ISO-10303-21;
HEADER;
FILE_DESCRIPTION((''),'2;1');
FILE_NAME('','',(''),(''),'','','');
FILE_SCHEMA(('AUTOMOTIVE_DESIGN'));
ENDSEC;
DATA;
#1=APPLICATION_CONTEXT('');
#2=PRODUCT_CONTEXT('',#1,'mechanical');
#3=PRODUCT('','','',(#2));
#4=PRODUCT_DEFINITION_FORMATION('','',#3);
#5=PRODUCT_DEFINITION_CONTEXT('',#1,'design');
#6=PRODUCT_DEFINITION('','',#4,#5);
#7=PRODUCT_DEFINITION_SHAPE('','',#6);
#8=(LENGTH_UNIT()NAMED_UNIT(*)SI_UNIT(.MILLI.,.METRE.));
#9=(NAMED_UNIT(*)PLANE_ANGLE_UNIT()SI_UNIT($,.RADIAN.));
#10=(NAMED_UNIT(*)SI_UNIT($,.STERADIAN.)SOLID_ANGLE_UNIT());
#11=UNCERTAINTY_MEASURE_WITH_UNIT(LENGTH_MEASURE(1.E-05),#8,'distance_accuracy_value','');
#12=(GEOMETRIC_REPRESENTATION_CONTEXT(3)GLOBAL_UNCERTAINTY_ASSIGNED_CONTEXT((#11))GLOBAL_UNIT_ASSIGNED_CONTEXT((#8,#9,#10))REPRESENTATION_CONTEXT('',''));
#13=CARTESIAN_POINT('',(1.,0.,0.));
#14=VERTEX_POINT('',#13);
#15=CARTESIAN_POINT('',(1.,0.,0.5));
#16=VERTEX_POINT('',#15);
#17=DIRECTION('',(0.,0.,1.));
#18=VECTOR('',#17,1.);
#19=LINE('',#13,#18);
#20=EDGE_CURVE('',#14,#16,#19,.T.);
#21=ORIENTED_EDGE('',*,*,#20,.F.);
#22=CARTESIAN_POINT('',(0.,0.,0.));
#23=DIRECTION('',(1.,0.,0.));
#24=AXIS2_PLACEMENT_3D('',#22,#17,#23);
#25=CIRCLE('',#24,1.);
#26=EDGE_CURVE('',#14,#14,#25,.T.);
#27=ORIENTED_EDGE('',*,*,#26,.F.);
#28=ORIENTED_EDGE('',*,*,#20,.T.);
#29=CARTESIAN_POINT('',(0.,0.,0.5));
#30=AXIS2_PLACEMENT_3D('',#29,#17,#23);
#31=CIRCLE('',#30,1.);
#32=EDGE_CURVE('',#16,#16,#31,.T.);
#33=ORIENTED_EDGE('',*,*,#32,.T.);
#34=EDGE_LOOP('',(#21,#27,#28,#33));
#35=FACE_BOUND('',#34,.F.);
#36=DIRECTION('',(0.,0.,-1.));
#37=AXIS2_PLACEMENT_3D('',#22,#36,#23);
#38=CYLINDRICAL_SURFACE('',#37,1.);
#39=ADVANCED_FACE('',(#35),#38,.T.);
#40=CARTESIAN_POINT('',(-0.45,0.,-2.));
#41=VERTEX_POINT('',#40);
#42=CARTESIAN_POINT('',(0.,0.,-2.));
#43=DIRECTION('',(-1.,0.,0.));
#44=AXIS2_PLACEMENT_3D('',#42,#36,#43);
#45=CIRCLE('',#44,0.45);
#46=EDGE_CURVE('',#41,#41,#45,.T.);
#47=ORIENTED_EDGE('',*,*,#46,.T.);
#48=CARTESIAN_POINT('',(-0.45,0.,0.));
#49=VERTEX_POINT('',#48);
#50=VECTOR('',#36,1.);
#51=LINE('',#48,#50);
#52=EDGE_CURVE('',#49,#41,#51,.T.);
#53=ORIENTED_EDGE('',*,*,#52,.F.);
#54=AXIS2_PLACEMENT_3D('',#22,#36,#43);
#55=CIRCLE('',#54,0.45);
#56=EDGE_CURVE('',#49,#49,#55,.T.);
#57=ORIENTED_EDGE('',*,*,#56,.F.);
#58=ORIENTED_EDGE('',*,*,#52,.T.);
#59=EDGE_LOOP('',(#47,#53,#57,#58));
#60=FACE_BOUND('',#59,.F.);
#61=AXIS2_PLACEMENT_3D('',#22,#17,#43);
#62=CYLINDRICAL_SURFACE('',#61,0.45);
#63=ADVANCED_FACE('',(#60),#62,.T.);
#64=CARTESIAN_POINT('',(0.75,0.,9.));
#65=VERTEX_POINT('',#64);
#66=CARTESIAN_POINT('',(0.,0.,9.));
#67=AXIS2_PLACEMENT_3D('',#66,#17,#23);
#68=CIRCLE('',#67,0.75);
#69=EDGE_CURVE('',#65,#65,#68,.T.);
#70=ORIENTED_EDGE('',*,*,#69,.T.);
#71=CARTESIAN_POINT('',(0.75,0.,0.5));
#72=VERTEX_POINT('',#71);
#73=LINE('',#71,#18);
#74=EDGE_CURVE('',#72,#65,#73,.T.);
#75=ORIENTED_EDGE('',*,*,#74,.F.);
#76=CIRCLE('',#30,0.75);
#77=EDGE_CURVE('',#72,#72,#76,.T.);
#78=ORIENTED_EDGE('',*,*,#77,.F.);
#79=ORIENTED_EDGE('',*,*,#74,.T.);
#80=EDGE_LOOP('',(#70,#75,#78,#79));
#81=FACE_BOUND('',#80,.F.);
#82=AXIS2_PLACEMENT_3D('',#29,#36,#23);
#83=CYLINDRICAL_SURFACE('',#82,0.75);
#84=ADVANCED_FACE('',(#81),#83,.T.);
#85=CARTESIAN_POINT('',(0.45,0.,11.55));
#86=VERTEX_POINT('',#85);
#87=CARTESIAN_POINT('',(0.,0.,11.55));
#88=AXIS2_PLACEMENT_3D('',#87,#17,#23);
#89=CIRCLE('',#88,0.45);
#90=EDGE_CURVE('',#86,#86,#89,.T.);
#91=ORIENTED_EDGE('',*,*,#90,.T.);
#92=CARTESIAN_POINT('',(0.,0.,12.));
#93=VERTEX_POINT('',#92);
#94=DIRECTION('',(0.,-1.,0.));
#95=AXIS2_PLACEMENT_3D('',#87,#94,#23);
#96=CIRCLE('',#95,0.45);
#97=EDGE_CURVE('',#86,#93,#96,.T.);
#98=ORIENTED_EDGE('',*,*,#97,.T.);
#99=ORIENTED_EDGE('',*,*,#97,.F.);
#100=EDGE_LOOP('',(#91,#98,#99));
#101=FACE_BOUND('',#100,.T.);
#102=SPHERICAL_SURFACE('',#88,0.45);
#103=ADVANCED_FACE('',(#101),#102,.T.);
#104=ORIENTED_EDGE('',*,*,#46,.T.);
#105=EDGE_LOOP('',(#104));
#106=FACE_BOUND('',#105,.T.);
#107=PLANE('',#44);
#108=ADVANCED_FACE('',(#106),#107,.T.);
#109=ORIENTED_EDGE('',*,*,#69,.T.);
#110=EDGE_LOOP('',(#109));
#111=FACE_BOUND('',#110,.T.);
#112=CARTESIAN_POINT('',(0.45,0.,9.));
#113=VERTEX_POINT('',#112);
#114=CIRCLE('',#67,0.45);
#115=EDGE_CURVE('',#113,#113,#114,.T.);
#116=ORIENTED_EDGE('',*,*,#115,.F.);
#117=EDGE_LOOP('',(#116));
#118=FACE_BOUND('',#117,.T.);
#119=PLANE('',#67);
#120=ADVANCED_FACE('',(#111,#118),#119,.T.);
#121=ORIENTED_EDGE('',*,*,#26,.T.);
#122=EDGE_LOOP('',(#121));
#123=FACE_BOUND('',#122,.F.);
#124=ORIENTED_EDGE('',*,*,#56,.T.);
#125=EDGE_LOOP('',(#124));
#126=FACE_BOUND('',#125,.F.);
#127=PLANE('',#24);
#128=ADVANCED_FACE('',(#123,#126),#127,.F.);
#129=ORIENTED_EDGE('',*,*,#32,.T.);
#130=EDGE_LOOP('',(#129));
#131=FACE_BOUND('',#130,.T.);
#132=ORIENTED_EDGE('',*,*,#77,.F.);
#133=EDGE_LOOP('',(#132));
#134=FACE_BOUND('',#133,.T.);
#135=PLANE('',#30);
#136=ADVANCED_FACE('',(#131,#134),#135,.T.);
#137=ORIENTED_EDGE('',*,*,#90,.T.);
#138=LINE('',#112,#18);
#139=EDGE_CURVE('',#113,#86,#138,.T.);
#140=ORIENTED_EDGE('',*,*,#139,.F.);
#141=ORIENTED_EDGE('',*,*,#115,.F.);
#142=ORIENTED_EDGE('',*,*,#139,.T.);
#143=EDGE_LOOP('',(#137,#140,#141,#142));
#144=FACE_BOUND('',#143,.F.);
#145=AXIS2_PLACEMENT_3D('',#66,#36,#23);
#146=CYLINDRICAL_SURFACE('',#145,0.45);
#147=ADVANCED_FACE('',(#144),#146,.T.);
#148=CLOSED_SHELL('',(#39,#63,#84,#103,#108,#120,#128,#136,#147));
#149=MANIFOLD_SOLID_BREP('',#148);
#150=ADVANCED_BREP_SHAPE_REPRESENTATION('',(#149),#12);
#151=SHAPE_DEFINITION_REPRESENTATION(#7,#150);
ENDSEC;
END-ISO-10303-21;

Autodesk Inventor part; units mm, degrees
ref_plane "YZ Plane" through (0, 0, 0) normal (1, 0, 0) x (0, 1, 0)
ref_plane "XZ Plane" through (0, 0, 0) normal (0, 1, 0) x (-1, 0, 0)
ref_plane "XY Plane" through (0, 0, 0) normal (0, 0, 1) x (1, 0, 0)
sketch "Skizze1" plane through (0, 0, 0) normal (0, 0, 1) x (1, 0, 0)
  circle A0 centre (0, 0) radius 1
  dimension "d0" = 2
extrude "Extrusion1" add sketch "Skizze1" along normal blind 0.5
sketch "Skizze2" plane through (0, 0, 0.5) normal (0, 0, 1) x (1, 0, 0)
  circle A0 centre (0, 0) radius 0.75
  dimension "d3" = 1.5
extrude "Extrusion2" add sketch "Skizze2" along normal blind 8.5
sketch "Skizze3" plane through (0, 0, 9) normal (0, 0, 1) x (1, 0, 0)
  circle A0 centre (0, 0) radius 0.45
  dimension "d6" = 0.9
extrude "Extrusion3" add sketch "Skizze3" along normal blind 3
fillet "Rundung1" radius 0.45 1 edges at (-0.45, 0, 12)
sketch "Skizze4" plane through (0, 0, 0) normal (0, 0, -1) x (-1, 0, 0)
  circle A0 centre (0, 0) radius 0.45
  dimension "d10" = 0.9
extrude "Extrusion4" add sketch "Skizze4" along normal blind 2
properties part number "PoGo_pin" material "Gold"
